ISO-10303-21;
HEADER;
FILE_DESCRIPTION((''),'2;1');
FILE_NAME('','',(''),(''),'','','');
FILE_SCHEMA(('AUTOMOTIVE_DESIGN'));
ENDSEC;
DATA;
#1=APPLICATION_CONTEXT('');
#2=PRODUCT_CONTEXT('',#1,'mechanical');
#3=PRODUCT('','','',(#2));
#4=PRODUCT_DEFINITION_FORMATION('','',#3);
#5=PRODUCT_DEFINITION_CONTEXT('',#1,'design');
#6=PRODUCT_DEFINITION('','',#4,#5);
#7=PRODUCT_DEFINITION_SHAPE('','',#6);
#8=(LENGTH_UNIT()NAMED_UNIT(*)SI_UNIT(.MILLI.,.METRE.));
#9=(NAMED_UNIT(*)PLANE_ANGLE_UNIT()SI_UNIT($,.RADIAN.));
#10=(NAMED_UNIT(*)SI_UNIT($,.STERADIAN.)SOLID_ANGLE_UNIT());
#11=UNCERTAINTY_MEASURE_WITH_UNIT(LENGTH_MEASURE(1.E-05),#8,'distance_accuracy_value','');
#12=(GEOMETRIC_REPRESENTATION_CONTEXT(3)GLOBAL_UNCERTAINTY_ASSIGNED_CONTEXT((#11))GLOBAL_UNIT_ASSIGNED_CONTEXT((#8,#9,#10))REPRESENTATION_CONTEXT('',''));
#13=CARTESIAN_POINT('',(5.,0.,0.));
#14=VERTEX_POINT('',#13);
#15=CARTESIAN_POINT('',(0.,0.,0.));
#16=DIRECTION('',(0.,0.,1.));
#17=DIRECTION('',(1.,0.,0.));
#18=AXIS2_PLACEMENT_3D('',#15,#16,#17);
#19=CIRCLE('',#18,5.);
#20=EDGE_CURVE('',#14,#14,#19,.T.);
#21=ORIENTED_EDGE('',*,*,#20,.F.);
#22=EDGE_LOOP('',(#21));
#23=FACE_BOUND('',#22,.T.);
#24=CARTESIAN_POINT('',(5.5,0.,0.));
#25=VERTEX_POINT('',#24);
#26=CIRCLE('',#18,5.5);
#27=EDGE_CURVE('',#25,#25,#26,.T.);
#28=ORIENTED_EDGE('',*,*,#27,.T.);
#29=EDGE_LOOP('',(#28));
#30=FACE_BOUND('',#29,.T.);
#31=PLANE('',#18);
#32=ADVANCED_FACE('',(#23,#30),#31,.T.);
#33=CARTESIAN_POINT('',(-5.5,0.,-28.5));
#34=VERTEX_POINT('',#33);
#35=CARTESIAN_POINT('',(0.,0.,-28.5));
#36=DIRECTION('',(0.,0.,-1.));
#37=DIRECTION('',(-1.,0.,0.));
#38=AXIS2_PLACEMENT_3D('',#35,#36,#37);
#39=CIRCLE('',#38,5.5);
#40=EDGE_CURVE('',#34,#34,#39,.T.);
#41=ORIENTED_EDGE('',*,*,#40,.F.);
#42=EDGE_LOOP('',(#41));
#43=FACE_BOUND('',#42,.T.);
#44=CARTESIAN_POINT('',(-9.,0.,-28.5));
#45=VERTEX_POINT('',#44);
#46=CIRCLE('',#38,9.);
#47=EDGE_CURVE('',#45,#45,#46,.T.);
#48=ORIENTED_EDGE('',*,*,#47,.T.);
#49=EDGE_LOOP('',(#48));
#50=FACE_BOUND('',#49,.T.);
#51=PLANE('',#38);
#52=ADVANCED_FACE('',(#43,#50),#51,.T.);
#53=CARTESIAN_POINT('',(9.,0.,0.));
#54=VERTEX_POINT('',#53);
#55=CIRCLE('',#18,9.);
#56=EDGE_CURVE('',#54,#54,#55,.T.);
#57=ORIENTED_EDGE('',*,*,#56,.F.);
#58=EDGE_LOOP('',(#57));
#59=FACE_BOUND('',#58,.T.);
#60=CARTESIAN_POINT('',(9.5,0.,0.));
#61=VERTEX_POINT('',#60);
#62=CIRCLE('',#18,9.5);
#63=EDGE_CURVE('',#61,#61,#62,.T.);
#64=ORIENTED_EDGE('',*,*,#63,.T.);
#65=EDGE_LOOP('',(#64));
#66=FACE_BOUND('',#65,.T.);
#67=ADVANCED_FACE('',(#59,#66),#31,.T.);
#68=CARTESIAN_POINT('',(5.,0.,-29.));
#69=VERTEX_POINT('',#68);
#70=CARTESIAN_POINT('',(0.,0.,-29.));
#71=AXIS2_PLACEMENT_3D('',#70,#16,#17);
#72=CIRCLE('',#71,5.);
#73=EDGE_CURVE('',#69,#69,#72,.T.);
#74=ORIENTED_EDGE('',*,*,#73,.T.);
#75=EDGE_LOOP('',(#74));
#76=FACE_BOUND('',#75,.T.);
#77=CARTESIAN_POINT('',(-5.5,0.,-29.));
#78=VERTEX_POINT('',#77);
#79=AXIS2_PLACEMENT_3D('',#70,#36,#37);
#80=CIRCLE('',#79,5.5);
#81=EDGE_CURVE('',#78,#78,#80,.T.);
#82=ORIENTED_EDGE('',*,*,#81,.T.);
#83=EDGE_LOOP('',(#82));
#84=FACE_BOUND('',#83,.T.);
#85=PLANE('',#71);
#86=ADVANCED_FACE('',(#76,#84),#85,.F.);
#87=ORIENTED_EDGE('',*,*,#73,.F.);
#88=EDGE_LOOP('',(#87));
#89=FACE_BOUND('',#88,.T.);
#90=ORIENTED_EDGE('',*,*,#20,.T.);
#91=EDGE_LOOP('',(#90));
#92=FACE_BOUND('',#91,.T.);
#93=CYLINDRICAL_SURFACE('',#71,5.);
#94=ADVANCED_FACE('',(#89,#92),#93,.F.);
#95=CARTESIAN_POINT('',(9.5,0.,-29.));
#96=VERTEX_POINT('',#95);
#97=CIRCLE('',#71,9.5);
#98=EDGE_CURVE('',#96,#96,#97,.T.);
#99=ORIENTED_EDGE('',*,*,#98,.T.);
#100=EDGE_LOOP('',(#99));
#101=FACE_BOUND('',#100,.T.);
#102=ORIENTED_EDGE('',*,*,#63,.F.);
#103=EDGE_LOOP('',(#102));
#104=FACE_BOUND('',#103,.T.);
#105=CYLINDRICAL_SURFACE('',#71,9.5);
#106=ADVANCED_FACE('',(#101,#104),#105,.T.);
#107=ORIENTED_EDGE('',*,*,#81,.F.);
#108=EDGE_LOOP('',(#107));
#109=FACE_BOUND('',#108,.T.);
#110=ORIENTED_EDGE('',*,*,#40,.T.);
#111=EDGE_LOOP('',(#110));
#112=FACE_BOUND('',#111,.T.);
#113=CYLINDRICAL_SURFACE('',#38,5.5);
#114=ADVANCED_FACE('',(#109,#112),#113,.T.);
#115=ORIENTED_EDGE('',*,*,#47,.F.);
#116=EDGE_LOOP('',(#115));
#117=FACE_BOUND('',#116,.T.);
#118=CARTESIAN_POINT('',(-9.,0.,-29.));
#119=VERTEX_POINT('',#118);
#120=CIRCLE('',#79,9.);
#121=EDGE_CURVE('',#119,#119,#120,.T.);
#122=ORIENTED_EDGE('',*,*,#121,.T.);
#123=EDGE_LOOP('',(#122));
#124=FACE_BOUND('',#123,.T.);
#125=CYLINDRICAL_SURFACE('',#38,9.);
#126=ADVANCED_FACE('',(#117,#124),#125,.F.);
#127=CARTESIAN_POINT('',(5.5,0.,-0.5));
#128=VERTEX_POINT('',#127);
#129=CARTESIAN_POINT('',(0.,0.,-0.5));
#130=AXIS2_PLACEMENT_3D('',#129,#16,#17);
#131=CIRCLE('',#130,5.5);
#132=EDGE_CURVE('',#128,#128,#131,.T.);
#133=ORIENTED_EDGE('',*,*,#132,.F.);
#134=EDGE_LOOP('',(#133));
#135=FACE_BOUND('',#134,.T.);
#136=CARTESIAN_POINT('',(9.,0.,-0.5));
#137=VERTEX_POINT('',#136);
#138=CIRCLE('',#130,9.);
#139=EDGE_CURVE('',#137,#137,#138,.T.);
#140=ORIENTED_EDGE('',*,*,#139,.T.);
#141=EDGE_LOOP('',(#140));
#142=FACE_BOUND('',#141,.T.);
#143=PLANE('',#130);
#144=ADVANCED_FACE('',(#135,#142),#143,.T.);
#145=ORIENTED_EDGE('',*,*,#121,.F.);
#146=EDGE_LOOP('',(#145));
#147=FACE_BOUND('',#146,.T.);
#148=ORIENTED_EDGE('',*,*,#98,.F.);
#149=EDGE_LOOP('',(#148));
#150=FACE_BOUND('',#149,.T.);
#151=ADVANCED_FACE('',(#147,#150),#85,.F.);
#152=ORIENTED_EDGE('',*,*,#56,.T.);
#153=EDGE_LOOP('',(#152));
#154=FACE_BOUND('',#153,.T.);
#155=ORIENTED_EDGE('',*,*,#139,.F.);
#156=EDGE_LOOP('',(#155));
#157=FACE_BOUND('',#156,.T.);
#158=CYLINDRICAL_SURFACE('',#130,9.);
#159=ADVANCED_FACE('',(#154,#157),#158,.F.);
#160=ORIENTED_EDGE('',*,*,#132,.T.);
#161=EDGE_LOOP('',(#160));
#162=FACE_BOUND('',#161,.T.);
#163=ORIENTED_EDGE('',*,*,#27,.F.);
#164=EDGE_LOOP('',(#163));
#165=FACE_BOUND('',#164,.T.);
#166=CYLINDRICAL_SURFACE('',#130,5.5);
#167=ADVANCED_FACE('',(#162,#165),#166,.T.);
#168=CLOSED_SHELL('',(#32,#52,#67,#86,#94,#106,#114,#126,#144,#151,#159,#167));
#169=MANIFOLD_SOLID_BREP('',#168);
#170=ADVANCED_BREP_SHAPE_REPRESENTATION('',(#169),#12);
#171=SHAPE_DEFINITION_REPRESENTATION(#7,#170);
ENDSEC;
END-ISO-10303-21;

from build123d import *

# Parameters (mm, degrees)
SKIZZE1_R                       = 9.5
SKIZZE1_R_2                     = 5
AUFSATZ_LINEAR_AUSTRAGEN1_DEPTH = 29
SKIZZE2_R                       = 9
SKIZZE2_R_2                     = 5.5
SCHNITT_LINEAR_AUSTRAGEN1_DEPTH = 0.5
SKIZZE3_R                       = 9
SKIZZE3_R_2                     = 5.5
SCHNITT_LINEAR_AUSTRAGEN2_DEPTH = 0.5


with BuildPart() as part:
    # Skizze1 → Aufsatz-Linear austragen1 (new body)
    with BuildSketch(Plane.XY):
        Circle(SKIZZE1_R)
        Circle(SKIZZE1_R_2, mode=Mode.SUBTRACT)
    extrude(amount=-AUFSATZ_LINEAR_AUSTRAGEN1_DEPTH)

    # Skizze2 → Schnitt-Linear austragen1 (cut)
    with BuildSketch(Plane.XY):
        Circle(SKIZZE2_R)
        Circle(SKIZZE2_R_2, mode=Mode.SUBTRACT)
    extrude(amount=-SCHNITT_LINEAR_AUSTRAGEN1_DEPTH, mode=Mode.SUBTRACT)

    # Skizze3 → Schnitt-Linear austragen2 (cut)
    with BuildSketch(Plane(origin=(0, 0, -29), x_dir=(-1, 0, 0), z_dir=(0, 0, -1))):
        Circle(SKIZZE3_R)
        Circle(SKIZZE3_R_2, mode=Mode.SUBTRACT)
    extrude(amount=-SCHNITT_LINEAR_AUSTRAGEN2_DEPTH, mode=Mode.SUBTRACT)


solid = part.part
